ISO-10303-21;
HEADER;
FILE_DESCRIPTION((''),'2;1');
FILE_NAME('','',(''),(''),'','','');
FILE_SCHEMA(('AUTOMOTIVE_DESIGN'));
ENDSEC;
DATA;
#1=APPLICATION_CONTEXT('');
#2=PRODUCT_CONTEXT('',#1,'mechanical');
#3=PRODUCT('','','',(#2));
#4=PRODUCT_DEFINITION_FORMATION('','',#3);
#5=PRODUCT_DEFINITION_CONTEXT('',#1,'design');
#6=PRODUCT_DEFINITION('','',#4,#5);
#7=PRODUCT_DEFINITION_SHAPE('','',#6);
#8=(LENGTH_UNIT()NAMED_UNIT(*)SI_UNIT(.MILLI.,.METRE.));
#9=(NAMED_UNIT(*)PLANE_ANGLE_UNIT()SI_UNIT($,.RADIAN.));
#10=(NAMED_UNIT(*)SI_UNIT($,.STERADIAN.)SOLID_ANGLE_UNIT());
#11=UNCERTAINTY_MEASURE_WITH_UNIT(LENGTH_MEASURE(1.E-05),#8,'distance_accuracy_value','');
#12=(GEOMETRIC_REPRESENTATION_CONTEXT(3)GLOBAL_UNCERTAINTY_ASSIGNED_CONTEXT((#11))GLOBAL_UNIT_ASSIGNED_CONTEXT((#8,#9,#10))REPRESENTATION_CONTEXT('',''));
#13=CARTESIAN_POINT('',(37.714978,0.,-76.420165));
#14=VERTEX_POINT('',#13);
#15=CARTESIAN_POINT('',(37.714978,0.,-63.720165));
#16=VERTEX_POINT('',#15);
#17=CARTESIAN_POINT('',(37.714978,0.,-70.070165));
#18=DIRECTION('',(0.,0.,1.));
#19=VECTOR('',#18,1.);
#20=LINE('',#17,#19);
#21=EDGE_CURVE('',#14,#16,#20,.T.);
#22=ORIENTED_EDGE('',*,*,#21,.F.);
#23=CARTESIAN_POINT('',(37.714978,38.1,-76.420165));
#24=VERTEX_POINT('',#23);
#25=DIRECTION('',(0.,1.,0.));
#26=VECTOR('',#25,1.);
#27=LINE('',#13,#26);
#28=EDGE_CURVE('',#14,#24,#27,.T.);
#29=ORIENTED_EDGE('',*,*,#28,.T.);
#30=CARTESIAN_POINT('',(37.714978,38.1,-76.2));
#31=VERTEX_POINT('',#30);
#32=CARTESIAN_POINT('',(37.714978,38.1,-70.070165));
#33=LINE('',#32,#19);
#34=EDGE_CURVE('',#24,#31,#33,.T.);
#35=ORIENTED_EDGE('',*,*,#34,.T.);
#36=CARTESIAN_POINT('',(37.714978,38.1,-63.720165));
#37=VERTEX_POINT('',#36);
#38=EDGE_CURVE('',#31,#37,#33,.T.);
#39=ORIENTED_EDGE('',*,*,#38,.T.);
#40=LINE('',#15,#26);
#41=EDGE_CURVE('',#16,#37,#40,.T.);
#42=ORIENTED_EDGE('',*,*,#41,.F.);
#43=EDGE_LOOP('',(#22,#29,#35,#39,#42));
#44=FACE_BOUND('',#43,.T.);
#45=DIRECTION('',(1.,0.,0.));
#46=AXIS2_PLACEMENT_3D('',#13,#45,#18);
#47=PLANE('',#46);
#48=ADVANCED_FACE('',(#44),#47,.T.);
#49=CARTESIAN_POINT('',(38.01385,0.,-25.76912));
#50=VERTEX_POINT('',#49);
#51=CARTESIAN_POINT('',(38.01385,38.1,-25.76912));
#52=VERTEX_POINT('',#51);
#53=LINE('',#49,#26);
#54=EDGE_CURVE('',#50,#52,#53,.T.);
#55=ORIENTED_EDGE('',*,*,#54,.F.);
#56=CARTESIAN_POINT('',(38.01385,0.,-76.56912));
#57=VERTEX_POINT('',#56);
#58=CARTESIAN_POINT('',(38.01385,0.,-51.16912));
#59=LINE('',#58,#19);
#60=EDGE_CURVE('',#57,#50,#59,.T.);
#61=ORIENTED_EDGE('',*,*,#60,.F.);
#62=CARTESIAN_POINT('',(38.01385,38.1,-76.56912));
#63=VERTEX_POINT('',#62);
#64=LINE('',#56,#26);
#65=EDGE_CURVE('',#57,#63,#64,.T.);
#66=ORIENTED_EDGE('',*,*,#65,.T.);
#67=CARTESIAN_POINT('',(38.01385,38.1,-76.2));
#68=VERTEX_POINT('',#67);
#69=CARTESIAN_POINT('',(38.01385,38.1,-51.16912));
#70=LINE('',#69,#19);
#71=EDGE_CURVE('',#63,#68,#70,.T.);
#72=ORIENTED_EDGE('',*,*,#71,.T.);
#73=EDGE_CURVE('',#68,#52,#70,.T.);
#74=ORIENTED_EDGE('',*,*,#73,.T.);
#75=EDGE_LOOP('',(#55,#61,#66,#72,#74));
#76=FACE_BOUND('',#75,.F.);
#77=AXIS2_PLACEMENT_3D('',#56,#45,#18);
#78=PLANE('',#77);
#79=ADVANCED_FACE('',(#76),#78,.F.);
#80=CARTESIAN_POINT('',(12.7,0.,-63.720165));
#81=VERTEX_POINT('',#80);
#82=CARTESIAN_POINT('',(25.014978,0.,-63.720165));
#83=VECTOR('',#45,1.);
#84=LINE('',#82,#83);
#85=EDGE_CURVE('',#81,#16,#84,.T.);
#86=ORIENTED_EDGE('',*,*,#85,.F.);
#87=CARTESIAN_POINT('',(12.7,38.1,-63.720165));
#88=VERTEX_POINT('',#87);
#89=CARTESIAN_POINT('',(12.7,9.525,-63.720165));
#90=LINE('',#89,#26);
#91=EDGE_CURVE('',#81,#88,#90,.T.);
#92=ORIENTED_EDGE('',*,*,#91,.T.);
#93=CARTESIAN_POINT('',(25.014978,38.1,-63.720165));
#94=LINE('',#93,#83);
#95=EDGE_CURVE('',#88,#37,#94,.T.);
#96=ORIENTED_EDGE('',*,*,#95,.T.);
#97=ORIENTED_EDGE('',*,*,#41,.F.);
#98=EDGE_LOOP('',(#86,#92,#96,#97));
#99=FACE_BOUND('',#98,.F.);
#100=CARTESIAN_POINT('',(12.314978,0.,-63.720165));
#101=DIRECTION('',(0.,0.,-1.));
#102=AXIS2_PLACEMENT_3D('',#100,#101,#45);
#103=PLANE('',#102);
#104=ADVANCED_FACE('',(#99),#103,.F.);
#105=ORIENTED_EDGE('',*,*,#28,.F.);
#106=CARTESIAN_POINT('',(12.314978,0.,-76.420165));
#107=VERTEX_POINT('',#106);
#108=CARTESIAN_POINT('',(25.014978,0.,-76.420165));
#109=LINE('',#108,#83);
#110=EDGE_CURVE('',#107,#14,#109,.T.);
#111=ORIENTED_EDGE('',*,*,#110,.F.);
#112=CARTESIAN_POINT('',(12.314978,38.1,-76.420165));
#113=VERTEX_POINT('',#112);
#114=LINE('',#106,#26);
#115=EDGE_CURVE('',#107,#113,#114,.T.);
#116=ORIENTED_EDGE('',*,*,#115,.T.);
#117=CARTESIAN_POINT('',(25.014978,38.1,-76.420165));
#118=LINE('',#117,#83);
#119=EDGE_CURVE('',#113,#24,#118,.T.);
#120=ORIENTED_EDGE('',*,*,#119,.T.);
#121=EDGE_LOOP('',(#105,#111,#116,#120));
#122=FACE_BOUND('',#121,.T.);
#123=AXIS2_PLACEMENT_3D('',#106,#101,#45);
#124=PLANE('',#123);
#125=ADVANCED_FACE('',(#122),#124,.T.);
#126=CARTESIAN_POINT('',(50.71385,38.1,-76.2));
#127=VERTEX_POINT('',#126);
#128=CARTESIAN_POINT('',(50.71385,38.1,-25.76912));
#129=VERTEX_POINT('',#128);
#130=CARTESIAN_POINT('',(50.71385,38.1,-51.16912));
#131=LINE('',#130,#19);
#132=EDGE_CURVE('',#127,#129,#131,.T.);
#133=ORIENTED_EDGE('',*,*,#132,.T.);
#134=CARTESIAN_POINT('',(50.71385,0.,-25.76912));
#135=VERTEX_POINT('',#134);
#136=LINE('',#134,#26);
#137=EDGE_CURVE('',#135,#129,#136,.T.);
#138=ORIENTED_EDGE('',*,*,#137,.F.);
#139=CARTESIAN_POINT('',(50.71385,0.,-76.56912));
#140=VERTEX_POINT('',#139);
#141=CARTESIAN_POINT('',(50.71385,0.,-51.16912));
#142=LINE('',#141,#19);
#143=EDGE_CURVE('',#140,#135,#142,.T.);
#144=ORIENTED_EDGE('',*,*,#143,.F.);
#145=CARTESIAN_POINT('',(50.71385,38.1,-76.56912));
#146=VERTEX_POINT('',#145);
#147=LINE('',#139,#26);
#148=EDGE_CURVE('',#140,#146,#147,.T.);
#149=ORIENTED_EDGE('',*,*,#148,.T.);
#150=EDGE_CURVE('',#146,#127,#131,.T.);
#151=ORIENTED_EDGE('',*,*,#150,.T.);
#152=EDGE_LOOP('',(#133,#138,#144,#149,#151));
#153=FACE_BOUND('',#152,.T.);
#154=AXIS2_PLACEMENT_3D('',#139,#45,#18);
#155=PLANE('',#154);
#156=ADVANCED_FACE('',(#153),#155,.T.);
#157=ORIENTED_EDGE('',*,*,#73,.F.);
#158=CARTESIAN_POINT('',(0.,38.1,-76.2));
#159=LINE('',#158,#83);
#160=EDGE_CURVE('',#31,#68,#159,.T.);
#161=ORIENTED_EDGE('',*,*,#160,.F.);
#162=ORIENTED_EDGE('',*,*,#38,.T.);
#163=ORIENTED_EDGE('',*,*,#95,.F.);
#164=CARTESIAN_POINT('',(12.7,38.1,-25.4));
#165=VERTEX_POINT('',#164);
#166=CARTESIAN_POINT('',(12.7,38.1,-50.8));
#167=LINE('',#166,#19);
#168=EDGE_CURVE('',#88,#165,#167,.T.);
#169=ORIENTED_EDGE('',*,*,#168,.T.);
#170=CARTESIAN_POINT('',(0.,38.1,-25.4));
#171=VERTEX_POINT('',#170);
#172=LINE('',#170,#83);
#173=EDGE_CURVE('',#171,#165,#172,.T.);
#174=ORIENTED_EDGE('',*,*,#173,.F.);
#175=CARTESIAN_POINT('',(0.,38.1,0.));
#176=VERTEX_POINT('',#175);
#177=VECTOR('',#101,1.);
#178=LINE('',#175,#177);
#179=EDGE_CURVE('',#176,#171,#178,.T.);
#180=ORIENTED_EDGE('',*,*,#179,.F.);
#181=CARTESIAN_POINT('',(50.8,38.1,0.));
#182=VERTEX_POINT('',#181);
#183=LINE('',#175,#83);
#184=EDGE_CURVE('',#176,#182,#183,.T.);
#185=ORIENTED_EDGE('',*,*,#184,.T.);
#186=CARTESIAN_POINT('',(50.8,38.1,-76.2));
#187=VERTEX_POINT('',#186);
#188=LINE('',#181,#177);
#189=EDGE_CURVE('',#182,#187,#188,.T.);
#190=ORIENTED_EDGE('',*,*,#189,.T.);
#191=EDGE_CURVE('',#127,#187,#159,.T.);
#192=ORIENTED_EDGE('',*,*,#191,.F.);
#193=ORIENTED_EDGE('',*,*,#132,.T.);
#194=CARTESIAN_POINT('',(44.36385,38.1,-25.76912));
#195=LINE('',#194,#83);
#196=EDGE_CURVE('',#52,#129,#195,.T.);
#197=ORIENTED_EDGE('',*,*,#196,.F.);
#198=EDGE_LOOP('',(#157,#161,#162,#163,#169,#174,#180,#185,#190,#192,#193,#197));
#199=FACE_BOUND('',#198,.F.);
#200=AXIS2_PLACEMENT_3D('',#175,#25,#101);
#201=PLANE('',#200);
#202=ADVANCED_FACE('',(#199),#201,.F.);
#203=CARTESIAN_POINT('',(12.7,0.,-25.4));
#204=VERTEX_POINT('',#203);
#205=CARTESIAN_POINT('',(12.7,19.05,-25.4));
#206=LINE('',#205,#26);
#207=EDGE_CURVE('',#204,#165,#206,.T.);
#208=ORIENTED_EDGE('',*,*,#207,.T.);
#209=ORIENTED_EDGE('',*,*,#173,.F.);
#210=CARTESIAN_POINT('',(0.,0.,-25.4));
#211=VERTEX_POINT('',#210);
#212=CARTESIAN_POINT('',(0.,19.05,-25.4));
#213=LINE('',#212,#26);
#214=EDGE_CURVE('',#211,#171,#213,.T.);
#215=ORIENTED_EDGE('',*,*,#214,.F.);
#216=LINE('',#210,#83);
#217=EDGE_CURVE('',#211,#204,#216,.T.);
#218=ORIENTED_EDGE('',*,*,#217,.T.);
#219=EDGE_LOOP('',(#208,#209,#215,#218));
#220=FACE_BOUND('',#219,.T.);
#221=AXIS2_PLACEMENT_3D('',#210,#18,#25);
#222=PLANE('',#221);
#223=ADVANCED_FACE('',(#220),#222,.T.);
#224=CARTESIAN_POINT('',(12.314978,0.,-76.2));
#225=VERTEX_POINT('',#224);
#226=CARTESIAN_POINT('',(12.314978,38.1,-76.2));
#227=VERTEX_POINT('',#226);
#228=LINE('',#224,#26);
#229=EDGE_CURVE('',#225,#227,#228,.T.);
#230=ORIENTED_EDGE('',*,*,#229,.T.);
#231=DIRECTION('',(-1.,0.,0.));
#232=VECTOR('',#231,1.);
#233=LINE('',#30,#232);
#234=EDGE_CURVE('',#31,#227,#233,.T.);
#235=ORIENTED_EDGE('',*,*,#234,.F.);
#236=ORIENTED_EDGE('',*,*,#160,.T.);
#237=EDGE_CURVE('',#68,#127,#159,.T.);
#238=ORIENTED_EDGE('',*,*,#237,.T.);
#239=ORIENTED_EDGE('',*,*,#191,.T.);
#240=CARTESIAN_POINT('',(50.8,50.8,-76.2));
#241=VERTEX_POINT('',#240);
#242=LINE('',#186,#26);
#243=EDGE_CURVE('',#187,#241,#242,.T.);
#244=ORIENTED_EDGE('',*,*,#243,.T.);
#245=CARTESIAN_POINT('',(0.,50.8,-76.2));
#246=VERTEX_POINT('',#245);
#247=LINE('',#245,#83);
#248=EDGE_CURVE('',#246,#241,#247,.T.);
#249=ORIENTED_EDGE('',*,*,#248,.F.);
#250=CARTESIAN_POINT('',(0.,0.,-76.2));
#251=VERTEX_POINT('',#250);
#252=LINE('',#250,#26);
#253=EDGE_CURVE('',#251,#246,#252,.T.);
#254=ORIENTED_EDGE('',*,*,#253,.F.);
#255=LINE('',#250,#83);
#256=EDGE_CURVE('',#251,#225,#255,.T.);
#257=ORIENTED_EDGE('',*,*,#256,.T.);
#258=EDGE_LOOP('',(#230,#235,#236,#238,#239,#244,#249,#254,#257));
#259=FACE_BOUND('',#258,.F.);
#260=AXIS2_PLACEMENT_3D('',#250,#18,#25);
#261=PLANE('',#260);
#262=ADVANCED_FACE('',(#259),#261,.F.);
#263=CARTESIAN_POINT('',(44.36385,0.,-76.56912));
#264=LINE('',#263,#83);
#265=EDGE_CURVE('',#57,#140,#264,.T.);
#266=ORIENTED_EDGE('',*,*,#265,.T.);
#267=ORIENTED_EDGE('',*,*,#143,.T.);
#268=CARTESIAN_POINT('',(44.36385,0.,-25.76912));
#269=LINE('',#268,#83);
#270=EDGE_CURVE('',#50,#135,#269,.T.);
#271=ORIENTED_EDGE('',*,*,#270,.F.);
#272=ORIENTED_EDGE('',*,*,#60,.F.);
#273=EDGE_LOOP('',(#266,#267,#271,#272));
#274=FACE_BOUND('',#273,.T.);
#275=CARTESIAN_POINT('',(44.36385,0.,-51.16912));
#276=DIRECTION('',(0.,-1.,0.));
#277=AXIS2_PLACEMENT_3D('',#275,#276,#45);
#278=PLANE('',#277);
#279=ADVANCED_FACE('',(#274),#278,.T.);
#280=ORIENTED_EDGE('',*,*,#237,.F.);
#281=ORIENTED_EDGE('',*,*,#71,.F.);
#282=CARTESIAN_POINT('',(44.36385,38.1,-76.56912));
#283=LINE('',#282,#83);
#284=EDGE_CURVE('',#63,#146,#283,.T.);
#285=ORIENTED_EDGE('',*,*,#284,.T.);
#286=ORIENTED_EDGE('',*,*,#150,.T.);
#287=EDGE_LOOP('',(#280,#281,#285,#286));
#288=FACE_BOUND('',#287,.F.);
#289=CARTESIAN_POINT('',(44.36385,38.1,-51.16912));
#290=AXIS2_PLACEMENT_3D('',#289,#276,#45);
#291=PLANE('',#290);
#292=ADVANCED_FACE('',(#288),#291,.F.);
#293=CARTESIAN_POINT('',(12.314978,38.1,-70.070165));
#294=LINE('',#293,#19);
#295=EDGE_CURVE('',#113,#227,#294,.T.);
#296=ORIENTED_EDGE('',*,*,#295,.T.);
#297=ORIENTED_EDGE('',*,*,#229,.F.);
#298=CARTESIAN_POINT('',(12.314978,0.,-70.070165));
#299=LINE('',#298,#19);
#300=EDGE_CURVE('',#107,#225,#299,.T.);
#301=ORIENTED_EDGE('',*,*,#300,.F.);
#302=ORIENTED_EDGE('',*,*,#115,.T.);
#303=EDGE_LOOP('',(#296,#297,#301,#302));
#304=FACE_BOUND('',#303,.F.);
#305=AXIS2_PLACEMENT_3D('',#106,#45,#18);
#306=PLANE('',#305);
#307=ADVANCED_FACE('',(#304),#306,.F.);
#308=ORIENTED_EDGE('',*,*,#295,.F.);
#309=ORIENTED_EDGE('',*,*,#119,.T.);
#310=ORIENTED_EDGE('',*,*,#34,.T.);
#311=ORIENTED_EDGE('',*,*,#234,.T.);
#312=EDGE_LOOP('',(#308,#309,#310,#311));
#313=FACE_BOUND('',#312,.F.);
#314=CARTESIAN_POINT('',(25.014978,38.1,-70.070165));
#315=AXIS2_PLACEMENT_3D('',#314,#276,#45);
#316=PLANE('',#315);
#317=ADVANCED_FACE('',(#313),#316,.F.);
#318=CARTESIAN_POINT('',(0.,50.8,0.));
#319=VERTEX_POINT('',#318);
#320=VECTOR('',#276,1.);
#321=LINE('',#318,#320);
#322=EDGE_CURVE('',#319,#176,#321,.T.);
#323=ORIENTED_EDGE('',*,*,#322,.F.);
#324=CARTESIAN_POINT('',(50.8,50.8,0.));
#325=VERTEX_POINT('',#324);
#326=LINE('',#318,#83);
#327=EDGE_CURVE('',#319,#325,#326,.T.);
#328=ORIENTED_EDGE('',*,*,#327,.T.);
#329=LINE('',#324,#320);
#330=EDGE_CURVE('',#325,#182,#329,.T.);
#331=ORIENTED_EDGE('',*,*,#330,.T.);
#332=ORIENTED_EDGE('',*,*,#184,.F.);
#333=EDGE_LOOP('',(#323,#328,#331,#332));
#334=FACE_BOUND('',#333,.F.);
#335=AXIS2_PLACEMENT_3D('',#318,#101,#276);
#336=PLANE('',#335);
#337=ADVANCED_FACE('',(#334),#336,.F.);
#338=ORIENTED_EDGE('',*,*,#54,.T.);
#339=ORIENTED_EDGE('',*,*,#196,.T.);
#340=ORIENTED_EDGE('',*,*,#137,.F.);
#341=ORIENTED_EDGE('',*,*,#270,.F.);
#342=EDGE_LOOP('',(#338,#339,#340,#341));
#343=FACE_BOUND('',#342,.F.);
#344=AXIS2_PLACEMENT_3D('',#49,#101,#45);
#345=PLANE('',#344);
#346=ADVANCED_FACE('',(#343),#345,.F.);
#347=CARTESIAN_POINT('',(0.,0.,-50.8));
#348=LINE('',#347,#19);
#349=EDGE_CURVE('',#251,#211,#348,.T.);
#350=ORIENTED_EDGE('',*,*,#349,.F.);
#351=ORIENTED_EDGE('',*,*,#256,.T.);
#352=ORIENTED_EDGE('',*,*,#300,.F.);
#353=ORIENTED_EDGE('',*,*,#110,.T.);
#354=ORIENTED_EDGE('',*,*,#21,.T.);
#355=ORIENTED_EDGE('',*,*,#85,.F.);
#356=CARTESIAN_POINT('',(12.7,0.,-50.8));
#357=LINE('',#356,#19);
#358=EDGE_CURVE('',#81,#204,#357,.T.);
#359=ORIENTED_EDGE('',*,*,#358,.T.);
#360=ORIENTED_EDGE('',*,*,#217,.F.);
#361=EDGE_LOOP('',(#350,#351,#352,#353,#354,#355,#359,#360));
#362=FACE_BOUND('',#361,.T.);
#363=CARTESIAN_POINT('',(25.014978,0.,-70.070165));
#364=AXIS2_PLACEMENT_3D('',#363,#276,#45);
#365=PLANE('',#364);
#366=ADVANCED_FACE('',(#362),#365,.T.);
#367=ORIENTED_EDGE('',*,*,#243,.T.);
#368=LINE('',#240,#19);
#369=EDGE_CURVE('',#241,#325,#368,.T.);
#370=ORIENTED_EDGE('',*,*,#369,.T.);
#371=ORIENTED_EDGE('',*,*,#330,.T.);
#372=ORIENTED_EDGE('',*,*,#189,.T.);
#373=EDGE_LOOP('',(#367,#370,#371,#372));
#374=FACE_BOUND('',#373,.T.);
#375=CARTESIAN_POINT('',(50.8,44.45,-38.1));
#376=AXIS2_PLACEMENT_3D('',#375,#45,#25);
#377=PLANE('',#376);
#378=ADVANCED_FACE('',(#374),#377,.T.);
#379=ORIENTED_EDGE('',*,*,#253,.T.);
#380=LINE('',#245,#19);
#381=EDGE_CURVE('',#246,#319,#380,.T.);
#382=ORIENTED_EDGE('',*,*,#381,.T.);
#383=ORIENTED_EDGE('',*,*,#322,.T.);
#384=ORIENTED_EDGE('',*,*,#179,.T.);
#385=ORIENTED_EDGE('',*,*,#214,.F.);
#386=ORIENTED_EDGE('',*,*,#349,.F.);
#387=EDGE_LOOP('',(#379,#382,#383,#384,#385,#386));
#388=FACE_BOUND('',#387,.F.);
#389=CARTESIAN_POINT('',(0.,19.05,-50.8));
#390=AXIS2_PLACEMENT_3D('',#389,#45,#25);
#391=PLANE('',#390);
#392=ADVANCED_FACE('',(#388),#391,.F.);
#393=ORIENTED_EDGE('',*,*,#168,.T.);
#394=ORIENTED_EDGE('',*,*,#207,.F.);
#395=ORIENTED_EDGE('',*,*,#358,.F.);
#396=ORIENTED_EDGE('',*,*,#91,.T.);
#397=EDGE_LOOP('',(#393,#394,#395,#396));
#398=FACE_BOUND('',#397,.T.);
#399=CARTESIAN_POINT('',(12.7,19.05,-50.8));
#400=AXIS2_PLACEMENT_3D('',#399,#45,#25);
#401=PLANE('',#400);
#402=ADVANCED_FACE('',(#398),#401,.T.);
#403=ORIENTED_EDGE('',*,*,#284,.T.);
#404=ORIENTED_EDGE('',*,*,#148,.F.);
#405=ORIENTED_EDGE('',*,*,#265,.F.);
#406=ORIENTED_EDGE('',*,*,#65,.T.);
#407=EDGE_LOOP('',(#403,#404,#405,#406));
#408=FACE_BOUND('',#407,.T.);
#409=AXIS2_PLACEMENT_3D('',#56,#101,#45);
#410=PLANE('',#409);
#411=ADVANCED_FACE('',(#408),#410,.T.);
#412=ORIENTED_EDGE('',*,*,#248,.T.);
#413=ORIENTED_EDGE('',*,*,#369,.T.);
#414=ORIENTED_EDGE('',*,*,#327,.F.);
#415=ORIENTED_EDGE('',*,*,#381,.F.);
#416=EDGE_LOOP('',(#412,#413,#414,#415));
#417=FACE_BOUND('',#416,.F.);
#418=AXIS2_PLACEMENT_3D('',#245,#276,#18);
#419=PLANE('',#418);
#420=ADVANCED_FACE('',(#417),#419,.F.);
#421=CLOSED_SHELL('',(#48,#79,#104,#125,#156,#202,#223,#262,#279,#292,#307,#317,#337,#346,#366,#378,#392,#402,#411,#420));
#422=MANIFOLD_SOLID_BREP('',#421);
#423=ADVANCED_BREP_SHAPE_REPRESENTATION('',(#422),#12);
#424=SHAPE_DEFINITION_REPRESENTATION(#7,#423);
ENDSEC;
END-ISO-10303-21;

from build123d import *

# Parameters (mm, degrees)
F1_DEPTH = 50.8
F0_W     = 38.1
F0_H     = 50.8
F2_DEPTH = 12.7
F3_W     = 25.4
F3_H     = 12.7
F4_DEPTH = 38.1
F5_W     = 12.7
F5_H     = 50.8
F6_DEPTH = 38.1


with BuildPart() as f1:
    # F0 (on Right) → F1 (new body)
    with BuildSketch(Plane.YZ):
        Polygon((38.1, 0), (38.1, -25.4), (38.1, -76.2), (50.8, -76.2), (50.8, 0), align=None)
    extrude(amount=F1_DEPTH)

    # F0 (on Right) → F2 (join)
    with BuildSketch(Plane.YZ):
        with Locations((19.05, -50.8)):
            Rectangle(F0_W, F0_H)
    extrude(amount=F2_DEPTH)

    # F3 (on Front) → F4 (join)
    with BuildSketch(Plane.XZ):
        with Locations((25.014978, -70.070165)):
            Rectangle(F3_W, F3_H)
    extrude(amount=-F4_DEPTH)

    # F5 (on Front) → F6 (join)
    with BuildSketch(Plane.XZ):
        with Locations((44.36385, -51.16912)):
            Rectangle(F5_W, F5_H)
    extrude(amount=-F6_DEPTH)


solid = f1.part
